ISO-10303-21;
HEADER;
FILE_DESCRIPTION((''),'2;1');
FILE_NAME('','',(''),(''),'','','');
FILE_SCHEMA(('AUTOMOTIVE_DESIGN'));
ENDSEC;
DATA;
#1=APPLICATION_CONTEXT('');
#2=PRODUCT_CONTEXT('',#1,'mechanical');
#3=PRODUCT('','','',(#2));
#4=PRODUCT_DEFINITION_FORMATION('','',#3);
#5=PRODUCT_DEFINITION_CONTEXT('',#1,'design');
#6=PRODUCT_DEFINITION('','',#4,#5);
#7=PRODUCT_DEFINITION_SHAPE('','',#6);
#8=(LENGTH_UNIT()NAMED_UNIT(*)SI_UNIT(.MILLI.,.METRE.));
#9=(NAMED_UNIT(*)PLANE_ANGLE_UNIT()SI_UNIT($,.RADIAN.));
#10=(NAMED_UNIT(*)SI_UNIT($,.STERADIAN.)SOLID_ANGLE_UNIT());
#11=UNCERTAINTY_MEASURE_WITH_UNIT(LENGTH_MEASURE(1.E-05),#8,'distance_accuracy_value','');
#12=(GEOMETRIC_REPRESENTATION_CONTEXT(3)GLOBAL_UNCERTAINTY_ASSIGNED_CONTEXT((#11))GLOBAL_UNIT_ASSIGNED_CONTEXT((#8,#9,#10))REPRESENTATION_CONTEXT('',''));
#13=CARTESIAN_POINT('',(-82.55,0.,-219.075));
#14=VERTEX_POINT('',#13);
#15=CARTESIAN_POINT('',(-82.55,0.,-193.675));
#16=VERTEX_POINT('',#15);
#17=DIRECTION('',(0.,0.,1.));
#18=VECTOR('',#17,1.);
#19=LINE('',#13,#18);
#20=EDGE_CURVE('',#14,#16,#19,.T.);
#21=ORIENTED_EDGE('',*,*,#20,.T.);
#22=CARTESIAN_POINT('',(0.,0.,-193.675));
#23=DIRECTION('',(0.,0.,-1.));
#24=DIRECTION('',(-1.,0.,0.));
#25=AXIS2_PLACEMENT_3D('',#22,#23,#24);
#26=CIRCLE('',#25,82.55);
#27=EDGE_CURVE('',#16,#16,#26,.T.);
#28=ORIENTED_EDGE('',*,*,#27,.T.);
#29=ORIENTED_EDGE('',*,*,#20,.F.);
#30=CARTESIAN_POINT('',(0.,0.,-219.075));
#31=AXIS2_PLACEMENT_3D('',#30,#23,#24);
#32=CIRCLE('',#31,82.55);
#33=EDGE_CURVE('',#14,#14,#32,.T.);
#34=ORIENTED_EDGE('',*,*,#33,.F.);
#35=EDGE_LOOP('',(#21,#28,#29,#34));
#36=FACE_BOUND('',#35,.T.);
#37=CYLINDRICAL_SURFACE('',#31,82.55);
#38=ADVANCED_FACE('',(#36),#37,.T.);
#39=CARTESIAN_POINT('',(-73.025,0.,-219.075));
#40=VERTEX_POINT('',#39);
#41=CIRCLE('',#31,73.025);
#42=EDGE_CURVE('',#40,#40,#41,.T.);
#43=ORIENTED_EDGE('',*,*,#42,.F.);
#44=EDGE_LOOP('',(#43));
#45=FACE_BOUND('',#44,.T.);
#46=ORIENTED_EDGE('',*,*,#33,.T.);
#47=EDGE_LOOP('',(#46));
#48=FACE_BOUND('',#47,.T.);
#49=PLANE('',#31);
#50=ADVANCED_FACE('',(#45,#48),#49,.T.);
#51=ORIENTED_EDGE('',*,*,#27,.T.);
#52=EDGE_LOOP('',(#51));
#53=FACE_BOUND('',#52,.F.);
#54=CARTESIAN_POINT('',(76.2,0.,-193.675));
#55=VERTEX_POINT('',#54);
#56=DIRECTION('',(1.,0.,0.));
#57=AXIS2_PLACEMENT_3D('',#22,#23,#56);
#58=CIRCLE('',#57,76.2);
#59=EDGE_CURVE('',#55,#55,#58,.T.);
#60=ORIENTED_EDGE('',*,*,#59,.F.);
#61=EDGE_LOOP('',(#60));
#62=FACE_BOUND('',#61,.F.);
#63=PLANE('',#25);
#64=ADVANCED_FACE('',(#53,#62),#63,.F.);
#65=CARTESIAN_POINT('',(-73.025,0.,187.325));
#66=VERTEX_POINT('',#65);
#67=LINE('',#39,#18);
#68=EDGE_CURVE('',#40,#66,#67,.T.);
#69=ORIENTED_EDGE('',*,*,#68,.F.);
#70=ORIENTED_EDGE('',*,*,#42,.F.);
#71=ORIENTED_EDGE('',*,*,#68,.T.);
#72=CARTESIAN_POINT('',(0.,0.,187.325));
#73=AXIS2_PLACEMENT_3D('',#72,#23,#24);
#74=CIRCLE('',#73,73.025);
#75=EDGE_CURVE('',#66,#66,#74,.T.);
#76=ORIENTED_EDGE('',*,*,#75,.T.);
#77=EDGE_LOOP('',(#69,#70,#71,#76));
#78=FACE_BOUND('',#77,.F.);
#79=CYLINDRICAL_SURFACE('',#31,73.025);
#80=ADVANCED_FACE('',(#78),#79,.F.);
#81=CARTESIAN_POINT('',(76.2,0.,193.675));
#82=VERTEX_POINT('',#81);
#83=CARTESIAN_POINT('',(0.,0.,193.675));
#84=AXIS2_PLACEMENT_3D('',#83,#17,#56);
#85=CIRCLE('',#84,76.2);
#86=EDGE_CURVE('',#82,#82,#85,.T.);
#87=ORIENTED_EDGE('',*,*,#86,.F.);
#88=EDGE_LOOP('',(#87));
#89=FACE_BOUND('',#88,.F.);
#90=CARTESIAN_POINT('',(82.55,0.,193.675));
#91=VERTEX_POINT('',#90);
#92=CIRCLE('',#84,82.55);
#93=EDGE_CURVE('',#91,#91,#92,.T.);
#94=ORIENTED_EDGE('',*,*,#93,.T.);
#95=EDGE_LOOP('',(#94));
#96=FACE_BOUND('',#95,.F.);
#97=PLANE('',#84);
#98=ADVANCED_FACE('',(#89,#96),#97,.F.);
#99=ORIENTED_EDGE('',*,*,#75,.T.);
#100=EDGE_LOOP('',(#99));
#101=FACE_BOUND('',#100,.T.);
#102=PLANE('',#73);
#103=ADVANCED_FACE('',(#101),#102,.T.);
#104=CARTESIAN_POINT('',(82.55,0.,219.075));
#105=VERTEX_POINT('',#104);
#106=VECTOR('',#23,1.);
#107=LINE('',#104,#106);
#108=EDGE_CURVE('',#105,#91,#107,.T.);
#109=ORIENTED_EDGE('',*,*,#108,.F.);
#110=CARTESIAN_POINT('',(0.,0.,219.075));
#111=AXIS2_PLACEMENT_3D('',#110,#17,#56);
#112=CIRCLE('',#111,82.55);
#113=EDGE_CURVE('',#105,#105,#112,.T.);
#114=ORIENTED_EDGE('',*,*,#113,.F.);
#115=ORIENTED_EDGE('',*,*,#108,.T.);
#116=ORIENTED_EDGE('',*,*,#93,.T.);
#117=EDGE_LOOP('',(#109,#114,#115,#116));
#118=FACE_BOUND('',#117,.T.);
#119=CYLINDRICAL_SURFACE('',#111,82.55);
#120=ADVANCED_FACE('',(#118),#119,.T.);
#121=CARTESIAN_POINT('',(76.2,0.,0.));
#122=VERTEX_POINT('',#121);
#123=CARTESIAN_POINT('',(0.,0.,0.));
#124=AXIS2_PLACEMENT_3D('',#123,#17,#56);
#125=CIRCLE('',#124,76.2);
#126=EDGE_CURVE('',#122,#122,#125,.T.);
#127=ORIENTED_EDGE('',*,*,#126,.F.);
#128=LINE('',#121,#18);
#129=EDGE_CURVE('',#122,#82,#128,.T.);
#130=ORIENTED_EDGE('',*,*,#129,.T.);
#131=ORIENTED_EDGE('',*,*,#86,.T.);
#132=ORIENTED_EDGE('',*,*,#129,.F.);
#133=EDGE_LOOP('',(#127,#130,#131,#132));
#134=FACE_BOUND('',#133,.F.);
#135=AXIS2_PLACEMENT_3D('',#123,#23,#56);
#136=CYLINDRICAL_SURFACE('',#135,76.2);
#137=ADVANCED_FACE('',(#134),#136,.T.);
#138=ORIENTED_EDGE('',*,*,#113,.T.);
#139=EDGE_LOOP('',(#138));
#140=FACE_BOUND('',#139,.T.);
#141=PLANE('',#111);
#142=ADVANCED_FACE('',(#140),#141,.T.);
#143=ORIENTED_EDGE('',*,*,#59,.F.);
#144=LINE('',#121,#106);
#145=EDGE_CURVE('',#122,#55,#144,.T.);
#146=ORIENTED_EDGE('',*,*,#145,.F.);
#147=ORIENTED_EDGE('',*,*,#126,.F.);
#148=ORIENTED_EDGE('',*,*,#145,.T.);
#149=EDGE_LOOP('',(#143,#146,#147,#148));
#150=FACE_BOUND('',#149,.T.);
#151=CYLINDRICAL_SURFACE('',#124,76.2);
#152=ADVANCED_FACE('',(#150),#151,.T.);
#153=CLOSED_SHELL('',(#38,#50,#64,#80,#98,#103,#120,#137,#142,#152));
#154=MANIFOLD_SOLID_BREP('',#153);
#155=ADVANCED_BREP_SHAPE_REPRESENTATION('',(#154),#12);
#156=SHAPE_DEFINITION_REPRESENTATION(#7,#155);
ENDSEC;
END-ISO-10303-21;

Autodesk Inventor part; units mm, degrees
ref_plane "YZ Plane" through (0, 0, 0) normal (1, 0, 0) x (0, 1, 0)
ref_plane "XZ Plane" through (0, 0, 0) normal (0, 1, 0) x (-1, 0, 0)
ref_plane "XY Plane" through (0, 0, 0) normal (0, 0, 1) x (1, 0, 0)
sketch "Sketch1" plane through (0, 0, 0) normal (0, 0, 1) x (1, 0, 0)
  circle A0 centre (0, 0) radius 76.2
  dimension "tubeDiameter" = 152.4
extrude "Extrusion1" add sketch "Sketch1" along normal mid plane 438.15
sketch "Sketch2" plane through (0, 0, -219.075) normal (0, 0, -1) x (-1, 0, 0)
  circle A0 centre (0, 0) radius 73.025
  dimension "d6" = 146.05
extrude "Extrusion2" cut sketch "Sketch2" against normal blind 406.4
sketch "Sketch3" plane through (0, 0, 219.075) normal (0, 0, 1) x (1, 0, 0)
  circle A0 centre (0, 0) radius 82.55
  circle A1 centre (0, 0) radius 76.2
  dimension "d9" = 165.1
extrude "Extrusion3" add sketch "Sketch3" against normal blind 25.4
sketch "Sketch4" plane through (0, 0, -219.075) normal (0, 0, -1) x (-1, 0, 0)
  circle A0 centre (0, 0) radius 76.2
  circle A1 centre (0, 0) radius 82.55
extrude "Extrusion4" add sketch "Sketch4" against normal blind 25.4
properties part number "telescopeTube" material "Aluminum 6061"
